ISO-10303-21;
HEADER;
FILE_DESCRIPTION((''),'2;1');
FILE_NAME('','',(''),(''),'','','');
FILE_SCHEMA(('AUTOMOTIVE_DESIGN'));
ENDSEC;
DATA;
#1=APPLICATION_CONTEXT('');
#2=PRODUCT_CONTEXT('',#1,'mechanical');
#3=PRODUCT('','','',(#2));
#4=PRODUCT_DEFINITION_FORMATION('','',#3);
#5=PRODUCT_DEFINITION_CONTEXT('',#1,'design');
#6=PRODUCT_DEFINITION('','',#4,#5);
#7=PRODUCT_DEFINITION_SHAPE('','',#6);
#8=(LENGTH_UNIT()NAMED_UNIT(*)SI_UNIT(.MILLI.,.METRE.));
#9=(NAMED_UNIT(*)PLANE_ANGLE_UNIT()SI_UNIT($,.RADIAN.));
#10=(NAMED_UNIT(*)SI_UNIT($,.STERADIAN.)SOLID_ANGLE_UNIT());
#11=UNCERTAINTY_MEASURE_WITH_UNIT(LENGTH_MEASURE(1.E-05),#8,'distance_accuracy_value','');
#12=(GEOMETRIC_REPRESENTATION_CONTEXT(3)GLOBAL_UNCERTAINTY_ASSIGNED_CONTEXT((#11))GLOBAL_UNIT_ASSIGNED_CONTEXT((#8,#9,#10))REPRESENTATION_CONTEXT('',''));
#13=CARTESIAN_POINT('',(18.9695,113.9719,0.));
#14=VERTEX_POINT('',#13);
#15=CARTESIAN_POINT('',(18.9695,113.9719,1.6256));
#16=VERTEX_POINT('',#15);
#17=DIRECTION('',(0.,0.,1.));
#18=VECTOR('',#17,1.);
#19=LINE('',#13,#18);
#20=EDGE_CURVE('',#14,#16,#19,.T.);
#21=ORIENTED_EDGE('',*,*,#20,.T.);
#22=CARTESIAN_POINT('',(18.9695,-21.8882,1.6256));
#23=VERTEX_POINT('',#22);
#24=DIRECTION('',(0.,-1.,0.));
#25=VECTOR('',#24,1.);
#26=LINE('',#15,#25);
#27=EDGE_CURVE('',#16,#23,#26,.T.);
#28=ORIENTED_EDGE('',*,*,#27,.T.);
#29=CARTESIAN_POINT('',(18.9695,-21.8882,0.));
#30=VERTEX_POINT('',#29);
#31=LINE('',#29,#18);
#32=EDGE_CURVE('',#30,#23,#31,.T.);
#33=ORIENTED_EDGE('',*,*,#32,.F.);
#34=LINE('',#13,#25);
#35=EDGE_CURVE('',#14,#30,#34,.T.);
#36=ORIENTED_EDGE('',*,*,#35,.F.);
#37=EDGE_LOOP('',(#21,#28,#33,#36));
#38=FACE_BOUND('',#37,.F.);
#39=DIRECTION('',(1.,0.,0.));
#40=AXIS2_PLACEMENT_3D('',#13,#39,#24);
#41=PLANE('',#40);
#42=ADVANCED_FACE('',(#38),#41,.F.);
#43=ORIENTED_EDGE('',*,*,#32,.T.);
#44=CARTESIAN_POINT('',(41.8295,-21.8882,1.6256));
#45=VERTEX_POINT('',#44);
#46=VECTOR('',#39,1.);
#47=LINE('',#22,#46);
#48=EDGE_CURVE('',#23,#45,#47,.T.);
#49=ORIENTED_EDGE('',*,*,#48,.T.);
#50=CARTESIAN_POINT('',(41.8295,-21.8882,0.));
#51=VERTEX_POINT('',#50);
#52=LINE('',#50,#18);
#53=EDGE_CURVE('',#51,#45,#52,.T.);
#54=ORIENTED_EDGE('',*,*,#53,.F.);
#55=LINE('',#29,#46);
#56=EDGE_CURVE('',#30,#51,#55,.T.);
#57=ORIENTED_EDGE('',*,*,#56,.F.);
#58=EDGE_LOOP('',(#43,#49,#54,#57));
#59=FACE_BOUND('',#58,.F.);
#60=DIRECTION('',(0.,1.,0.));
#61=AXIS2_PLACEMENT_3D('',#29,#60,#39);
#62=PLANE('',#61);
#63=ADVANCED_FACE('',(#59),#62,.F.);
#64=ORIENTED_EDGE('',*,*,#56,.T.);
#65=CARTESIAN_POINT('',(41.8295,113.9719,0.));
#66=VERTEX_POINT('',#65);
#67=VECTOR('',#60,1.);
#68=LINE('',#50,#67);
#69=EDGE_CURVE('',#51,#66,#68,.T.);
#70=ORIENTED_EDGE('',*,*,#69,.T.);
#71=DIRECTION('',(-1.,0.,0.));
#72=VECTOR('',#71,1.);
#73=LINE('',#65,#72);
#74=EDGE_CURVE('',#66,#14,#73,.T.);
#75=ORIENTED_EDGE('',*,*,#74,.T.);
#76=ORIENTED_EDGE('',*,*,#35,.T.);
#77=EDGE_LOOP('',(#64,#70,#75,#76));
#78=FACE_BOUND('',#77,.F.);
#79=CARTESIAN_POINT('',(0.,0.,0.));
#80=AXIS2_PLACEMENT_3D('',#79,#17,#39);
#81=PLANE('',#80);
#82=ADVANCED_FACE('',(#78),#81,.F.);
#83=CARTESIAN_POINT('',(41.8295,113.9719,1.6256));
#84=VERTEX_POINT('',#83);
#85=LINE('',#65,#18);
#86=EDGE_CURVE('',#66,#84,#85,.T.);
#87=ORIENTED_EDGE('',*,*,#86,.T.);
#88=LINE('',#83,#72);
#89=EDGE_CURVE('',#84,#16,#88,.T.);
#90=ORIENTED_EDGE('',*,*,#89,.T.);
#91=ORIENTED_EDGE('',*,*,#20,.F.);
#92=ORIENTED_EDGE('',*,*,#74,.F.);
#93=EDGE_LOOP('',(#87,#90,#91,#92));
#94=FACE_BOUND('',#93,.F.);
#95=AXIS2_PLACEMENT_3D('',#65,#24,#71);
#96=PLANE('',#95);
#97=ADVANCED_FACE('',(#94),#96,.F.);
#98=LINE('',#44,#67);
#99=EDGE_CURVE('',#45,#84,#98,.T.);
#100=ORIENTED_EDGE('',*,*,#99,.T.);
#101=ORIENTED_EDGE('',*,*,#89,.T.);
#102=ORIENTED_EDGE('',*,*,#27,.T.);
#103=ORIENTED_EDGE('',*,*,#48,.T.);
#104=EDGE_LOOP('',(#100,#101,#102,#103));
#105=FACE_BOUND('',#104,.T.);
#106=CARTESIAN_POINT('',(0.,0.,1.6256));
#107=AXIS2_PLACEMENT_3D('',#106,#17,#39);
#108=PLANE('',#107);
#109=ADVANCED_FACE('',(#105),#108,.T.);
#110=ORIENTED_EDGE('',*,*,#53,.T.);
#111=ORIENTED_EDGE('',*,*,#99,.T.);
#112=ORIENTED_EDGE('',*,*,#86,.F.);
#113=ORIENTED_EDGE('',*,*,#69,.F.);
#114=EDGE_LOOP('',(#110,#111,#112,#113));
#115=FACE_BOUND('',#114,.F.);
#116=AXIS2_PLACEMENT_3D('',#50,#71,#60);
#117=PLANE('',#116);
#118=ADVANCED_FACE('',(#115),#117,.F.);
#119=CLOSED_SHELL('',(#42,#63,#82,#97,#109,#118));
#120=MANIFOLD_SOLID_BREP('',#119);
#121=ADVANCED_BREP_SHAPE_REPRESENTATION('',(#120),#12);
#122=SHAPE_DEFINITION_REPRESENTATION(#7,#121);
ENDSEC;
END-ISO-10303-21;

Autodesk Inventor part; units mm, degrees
ref_plane "YZ Plane" through (0, 0, 0) normal (1, 0, 0) x (0, 1, 0)
ref_plane "XZ Plane" through (0, 0, 0) normal (0, 1, 0) x (-1, 0, 0)
ref_plane "XY Plane" through (0, 0, 0) normal (0, 0, 1) x (1, 0, 0)
ref_plane "Work Plane1" through (0, 0, 0) normal (0, 0, 1) x (1, 0, 0)
sketch "Sketch1" plane through (0, 0, 0) normal (0, 0, 1) x (1, 0, 0)
  line L0 (41.8295, 113.9719) -> (18.9695, 113.9719)
  line L1 (18.9695, 113.9719) -> (18.9695, -21.8882)
  line L2 (18.9695, -21.8882) -> (41.8295, -21.8882)
  line L3 (41.8295, -21.8882) -> (41.8295, 113.9719)
  line L4 (41.8295, 113.9719) -> (18.9695, -21.8882) construction
  line L5 (18.9695, 113.9719) -> (41.8295, -21.8882) construction
  point P0 (0, 0)
  point P1 (30.3995, 46.0418)
  dimension "d0" = 22.86
  dimension "d1" = 135.86
extrude "Extrusion1" add sketch "Sketch1" along normal blind 1.6256
properties part number "pcd stand in"
